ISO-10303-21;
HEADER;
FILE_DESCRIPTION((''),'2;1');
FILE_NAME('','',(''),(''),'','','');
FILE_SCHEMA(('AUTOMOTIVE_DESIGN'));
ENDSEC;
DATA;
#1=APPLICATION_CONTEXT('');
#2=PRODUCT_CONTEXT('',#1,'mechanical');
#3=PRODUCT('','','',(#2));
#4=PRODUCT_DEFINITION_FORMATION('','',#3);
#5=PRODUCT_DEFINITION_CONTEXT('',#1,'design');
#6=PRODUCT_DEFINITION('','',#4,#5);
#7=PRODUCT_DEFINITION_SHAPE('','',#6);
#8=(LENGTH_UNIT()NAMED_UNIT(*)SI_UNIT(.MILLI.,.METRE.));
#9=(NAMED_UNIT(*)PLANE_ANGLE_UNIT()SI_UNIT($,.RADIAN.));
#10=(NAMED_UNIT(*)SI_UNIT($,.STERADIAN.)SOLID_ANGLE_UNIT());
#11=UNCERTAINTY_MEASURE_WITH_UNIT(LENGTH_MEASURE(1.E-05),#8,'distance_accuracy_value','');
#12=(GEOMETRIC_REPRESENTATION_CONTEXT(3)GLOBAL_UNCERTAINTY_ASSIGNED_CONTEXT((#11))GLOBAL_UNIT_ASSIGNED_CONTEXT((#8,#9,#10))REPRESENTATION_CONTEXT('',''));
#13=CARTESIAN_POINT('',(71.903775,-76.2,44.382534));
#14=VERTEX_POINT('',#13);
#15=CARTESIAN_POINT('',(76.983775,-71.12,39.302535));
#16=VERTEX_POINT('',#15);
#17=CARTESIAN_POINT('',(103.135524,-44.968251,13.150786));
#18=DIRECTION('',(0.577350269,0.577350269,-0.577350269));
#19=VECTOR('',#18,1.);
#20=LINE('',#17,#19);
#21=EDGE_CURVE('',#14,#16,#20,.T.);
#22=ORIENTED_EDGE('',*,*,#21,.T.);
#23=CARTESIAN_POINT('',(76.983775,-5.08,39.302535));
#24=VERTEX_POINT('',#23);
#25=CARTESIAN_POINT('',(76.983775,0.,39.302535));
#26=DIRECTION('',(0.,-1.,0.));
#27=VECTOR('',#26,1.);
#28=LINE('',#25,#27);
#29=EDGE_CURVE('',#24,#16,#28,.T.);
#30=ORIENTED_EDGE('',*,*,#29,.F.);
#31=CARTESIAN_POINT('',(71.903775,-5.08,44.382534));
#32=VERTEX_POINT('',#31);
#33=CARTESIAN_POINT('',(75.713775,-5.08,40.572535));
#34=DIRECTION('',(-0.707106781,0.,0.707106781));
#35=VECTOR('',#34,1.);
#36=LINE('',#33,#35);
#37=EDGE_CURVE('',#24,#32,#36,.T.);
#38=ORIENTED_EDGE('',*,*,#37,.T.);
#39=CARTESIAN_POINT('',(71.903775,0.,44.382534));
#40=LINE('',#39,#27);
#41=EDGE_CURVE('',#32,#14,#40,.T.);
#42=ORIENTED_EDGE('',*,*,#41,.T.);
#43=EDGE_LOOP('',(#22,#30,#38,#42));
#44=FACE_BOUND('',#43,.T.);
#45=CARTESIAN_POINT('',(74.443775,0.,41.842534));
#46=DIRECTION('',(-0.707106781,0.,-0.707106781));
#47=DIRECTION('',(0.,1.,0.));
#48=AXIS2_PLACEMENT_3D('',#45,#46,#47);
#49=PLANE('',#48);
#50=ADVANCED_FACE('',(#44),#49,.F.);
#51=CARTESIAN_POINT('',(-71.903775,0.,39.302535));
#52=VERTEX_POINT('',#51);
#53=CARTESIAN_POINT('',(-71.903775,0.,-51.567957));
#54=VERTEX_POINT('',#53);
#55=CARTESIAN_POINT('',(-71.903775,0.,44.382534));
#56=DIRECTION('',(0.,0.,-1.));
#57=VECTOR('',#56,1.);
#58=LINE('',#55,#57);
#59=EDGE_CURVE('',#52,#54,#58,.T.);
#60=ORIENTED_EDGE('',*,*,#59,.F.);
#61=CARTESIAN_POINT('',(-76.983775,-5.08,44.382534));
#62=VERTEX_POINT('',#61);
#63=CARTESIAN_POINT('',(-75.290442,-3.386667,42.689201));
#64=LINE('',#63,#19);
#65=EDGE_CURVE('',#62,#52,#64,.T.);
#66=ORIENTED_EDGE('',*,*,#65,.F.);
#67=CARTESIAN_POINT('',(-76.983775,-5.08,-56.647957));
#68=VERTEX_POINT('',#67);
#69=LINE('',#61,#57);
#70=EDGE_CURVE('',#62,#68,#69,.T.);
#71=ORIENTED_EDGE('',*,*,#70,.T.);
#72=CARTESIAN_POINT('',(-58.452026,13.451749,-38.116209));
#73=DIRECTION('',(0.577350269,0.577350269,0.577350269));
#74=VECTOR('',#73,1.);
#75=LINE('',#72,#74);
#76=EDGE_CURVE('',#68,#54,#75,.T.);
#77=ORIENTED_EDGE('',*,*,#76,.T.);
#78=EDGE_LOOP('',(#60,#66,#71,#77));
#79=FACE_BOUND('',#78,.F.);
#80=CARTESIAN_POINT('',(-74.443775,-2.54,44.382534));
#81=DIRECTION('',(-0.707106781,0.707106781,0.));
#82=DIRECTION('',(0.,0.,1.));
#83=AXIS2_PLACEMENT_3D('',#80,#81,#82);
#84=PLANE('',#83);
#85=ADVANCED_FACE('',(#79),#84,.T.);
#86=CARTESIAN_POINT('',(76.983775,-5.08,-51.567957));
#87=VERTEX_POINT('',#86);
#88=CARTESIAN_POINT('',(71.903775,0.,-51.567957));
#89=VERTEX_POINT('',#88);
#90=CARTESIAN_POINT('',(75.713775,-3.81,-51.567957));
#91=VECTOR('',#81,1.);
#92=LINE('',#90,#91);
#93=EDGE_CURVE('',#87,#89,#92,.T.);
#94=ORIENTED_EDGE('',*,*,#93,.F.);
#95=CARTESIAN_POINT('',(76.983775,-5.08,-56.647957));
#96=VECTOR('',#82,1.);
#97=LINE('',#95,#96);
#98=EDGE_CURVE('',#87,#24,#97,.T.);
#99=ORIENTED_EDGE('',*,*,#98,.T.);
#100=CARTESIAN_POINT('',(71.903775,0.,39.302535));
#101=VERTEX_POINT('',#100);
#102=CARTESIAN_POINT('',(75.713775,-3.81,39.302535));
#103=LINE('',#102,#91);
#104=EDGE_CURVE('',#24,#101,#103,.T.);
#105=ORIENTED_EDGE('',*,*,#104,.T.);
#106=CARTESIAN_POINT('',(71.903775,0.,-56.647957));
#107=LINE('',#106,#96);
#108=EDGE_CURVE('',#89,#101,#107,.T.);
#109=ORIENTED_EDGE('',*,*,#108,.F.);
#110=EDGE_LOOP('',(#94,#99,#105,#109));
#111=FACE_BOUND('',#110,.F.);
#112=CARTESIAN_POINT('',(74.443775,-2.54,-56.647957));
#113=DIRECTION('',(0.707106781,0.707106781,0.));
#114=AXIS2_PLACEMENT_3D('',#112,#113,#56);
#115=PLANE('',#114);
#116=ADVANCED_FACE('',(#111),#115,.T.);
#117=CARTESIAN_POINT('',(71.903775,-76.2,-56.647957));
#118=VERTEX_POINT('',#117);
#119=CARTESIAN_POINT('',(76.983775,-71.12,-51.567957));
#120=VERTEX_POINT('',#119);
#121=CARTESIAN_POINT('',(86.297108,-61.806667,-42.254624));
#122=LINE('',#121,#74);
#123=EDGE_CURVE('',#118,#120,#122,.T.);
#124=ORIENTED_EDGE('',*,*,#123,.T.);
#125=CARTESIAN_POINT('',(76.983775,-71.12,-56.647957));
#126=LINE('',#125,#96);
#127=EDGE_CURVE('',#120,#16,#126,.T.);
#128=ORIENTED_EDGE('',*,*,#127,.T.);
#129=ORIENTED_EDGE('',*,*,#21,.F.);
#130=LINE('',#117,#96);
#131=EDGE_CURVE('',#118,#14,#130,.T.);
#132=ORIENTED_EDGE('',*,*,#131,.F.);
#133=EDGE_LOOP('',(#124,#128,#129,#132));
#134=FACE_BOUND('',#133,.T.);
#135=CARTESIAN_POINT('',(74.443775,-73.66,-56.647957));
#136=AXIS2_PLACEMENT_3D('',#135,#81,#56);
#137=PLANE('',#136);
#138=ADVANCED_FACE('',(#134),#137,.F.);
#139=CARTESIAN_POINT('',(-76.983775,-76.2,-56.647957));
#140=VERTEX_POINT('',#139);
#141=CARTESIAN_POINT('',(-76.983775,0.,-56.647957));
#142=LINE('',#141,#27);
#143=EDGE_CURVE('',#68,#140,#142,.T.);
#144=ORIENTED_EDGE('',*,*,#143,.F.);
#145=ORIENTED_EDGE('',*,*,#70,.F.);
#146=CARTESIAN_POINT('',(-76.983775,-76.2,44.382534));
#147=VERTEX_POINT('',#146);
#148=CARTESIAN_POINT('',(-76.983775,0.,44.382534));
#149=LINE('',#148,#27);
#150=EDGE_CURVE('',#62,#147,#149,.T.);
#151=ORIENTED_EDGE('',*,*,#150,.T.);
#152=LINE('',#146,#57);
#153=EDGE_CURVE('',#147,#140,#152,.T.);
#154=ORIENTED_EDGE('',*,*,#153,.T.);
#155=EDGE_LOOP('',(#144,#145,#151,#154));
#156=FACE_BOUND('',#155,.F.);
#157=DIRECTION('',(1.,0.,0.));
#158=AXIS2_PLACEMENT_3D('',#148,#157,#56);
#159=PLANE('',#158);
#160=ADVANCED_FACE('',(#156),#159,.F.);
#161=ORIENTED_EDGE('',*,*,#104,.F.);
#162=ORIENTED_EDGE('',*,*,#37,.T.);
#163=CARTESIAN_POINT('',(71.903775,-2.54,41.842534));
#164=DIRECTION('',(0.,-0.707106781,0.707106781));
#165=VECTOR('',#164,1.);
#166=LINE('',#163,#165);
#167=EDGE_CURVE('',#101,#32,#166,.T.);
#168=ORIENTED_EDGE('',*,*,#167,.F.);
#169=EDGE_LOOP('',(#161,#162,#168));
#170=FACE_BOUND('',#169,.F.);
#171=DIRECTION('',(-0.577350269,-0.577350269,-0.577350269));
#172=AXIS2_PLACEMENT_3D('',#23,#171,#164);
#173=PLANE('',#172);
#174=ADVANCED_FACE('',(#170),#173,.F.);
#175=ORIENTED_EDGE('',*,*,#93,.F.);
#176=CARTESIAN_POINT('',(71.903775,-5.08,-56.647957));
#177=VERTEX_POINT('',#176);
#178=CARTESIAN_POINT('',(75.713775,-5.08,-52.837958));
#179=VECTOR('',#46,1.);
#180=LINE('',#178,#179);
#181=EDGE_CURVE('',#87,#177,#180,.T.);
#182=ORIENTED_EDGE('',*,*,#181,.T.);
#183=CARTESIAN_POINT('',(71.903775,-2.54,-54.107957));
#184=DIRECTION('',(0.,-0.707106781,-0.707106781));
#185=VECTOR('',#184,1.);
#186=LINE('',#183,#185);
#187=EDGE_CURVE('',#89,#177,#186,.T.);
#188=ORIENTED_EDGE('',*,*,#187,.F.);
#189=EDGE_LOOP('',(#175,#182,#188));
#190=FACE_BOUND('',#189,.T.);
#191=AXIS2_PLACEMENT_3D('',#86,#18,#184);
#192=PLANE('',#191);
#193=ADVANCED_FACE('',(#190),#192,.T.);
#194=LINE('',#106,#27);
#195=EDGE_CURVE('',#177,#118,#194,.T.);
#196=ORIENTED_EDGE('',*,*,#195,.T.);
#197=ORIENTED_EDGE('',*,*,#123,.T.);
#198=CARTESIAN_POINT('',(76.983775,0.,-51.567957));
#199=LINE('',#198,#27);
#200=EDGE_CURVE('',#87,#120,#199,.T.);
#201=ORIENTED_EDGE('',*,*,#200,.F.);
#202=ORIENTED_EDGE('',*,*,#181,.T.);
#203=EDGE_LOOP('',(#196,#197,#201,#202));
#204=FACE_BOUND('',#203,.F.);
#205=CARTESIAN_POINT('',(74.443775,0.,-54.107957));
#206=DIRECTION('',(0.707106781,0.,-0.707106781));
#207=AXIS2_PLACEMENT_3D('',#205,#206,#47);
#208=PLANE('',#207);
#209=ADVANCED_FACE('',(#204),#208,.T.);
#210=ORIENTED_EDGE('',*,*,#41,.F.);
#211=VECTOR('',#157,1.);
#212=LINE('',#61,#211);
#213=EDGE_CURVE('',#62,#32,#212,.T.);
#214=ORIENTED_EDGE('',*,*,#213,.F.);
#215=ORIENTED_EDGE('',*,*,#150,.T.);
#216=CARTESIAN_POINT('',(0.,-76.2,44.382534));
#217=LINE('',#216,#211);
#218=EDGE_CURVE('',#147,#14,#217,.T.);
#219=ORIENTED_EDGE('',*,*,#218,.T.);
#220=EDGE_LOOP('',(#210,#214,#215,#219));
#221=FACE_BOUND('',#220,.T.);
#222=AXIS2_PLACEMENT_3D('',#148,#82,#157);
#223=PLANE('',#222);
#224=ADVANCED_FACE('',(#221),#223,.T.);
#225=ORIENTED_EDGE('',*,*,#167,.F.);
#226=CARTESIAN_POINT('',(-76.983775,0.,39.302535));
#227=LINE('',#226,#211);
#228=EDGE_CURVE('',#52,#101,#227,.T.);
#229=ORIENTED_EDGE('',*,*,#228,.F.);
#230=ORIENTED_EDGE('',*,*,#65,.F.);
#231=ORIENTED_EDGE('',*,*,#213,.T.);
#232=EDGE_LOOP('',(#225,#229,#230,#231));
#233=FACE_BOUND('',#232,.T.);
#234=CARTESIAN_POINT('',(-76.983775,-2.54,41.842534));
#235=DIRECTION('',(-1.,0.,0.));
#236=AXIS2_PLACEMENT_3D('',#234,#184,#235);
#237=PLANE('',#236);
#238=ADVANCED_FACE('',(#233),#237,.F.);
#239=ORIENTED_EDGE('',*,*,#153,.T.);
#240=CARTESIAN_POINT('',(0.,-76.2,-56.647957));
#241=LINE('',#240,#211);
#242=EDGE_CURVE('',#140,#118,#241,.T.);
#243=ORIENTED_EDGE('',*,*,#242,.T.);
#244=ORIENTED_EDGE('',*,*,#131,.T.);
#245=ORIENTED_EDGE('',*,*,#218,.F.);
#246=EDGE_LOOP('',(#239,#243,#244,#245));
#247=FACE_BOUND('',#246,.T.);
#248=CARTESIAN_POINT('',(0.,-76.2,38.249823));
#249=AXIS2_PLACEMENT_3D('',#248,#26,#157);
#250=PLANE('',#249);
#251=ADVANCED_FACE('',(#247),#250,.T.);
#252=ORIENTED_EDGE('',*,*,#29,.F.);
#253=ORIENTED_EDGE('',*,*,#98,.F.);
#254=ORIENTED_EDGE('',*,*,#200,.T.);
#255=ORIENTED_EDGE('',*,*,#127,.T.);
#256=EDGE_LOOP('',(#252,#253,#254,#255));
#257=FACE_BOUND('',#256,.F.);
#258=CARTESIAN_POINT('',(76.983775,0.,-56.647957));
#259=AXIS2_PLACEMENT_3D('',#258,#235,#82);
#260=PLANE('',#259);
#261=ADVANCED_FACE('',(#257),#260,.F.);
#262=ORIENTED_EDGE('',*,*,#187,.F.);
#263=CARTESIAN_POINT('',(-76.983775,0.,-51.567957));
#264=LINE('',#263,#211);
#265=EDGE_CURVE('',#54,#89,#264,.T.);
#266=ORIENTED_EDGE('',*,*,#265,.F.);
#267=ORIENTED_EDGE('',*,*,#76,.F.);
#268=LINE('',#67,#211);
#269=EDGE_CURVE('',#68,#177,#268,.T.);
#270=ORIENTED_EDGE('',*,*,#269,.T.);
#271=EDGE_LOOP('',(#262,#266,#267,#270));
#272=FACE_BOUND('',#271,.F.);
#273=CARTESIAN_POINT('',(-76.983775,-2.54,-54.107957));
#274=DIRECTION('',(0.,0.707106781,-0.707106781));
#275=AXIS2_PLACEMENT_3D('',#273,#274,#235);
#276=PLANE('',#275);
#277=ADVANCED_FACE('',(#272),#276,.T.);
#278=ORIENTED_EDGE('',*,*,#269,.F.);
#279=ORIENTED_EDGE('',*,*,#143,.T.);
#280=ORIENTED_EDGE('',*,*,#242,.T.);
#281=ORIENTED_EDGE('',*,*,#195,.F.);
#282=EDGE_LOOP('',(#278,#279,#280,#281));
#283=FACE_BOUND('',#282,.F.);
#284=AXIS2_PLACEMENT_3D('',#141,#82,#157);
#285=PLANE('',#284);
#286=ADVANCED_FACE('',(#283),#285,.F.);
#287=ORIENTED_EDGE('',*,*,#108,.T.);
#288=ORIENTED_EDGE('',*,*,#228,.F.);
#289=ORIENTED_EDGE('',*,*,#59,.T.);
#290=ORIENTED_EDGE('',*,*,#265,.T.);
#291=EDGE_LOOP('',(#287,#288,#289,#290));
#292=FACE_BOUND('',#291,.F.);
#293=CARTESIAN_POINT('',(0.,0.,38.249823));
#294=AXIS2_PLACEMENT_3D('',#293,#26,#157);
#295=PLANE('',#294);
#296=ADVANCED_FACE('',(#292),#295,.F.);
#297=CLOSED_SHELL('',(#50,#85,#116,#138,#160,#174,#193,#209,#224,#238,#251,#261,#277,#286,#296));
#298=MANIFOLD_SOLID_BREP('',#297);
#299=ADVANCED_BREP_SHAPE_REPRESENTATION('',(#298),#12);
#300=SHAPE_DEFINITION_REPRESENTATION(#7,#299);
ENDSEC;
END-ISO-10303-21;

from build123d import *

# Parameters (mm, degrees)
F0_W     = 153.96755
F0_H     = 12.265423
F0_H_2   = 76.499647
F1_DEPTH = 76.2
F2_SIZE  = 5.08


with BuildPart() as f1:
    # F0 (on Front) → F1 (new body)
    with BuildSketch(Plane.XZ):
        with Locations((0, 38.249823)):
            Rectangle(F0_W, F0_H)
        with Locations((0, -6.132711)):
            Rectangle(F0_W, F0_H_2)
        with Locations((0, -50.515246)):
            Rectangle(F0_W, F0_H)
    extrude(amount=F1_DEPTH)

    # F2
    f2_edges = [f1.edges().sort_by_distance(p)[0] for p in [
        (0, 0, -56.647958),
        (0, 0, 44.382535),
        (-76.983775, 0, -6.132711),
        (76.983775, 0, -6.132711),
        (76.983775, -38.1, 44.382535),
        (76.983775, -38.1, -56.647958),
        (76.983775, -76.2, -6.132711),
    ]]
    chamfer(f2_edges, length=F2_SIZE)


solid = f1.part
